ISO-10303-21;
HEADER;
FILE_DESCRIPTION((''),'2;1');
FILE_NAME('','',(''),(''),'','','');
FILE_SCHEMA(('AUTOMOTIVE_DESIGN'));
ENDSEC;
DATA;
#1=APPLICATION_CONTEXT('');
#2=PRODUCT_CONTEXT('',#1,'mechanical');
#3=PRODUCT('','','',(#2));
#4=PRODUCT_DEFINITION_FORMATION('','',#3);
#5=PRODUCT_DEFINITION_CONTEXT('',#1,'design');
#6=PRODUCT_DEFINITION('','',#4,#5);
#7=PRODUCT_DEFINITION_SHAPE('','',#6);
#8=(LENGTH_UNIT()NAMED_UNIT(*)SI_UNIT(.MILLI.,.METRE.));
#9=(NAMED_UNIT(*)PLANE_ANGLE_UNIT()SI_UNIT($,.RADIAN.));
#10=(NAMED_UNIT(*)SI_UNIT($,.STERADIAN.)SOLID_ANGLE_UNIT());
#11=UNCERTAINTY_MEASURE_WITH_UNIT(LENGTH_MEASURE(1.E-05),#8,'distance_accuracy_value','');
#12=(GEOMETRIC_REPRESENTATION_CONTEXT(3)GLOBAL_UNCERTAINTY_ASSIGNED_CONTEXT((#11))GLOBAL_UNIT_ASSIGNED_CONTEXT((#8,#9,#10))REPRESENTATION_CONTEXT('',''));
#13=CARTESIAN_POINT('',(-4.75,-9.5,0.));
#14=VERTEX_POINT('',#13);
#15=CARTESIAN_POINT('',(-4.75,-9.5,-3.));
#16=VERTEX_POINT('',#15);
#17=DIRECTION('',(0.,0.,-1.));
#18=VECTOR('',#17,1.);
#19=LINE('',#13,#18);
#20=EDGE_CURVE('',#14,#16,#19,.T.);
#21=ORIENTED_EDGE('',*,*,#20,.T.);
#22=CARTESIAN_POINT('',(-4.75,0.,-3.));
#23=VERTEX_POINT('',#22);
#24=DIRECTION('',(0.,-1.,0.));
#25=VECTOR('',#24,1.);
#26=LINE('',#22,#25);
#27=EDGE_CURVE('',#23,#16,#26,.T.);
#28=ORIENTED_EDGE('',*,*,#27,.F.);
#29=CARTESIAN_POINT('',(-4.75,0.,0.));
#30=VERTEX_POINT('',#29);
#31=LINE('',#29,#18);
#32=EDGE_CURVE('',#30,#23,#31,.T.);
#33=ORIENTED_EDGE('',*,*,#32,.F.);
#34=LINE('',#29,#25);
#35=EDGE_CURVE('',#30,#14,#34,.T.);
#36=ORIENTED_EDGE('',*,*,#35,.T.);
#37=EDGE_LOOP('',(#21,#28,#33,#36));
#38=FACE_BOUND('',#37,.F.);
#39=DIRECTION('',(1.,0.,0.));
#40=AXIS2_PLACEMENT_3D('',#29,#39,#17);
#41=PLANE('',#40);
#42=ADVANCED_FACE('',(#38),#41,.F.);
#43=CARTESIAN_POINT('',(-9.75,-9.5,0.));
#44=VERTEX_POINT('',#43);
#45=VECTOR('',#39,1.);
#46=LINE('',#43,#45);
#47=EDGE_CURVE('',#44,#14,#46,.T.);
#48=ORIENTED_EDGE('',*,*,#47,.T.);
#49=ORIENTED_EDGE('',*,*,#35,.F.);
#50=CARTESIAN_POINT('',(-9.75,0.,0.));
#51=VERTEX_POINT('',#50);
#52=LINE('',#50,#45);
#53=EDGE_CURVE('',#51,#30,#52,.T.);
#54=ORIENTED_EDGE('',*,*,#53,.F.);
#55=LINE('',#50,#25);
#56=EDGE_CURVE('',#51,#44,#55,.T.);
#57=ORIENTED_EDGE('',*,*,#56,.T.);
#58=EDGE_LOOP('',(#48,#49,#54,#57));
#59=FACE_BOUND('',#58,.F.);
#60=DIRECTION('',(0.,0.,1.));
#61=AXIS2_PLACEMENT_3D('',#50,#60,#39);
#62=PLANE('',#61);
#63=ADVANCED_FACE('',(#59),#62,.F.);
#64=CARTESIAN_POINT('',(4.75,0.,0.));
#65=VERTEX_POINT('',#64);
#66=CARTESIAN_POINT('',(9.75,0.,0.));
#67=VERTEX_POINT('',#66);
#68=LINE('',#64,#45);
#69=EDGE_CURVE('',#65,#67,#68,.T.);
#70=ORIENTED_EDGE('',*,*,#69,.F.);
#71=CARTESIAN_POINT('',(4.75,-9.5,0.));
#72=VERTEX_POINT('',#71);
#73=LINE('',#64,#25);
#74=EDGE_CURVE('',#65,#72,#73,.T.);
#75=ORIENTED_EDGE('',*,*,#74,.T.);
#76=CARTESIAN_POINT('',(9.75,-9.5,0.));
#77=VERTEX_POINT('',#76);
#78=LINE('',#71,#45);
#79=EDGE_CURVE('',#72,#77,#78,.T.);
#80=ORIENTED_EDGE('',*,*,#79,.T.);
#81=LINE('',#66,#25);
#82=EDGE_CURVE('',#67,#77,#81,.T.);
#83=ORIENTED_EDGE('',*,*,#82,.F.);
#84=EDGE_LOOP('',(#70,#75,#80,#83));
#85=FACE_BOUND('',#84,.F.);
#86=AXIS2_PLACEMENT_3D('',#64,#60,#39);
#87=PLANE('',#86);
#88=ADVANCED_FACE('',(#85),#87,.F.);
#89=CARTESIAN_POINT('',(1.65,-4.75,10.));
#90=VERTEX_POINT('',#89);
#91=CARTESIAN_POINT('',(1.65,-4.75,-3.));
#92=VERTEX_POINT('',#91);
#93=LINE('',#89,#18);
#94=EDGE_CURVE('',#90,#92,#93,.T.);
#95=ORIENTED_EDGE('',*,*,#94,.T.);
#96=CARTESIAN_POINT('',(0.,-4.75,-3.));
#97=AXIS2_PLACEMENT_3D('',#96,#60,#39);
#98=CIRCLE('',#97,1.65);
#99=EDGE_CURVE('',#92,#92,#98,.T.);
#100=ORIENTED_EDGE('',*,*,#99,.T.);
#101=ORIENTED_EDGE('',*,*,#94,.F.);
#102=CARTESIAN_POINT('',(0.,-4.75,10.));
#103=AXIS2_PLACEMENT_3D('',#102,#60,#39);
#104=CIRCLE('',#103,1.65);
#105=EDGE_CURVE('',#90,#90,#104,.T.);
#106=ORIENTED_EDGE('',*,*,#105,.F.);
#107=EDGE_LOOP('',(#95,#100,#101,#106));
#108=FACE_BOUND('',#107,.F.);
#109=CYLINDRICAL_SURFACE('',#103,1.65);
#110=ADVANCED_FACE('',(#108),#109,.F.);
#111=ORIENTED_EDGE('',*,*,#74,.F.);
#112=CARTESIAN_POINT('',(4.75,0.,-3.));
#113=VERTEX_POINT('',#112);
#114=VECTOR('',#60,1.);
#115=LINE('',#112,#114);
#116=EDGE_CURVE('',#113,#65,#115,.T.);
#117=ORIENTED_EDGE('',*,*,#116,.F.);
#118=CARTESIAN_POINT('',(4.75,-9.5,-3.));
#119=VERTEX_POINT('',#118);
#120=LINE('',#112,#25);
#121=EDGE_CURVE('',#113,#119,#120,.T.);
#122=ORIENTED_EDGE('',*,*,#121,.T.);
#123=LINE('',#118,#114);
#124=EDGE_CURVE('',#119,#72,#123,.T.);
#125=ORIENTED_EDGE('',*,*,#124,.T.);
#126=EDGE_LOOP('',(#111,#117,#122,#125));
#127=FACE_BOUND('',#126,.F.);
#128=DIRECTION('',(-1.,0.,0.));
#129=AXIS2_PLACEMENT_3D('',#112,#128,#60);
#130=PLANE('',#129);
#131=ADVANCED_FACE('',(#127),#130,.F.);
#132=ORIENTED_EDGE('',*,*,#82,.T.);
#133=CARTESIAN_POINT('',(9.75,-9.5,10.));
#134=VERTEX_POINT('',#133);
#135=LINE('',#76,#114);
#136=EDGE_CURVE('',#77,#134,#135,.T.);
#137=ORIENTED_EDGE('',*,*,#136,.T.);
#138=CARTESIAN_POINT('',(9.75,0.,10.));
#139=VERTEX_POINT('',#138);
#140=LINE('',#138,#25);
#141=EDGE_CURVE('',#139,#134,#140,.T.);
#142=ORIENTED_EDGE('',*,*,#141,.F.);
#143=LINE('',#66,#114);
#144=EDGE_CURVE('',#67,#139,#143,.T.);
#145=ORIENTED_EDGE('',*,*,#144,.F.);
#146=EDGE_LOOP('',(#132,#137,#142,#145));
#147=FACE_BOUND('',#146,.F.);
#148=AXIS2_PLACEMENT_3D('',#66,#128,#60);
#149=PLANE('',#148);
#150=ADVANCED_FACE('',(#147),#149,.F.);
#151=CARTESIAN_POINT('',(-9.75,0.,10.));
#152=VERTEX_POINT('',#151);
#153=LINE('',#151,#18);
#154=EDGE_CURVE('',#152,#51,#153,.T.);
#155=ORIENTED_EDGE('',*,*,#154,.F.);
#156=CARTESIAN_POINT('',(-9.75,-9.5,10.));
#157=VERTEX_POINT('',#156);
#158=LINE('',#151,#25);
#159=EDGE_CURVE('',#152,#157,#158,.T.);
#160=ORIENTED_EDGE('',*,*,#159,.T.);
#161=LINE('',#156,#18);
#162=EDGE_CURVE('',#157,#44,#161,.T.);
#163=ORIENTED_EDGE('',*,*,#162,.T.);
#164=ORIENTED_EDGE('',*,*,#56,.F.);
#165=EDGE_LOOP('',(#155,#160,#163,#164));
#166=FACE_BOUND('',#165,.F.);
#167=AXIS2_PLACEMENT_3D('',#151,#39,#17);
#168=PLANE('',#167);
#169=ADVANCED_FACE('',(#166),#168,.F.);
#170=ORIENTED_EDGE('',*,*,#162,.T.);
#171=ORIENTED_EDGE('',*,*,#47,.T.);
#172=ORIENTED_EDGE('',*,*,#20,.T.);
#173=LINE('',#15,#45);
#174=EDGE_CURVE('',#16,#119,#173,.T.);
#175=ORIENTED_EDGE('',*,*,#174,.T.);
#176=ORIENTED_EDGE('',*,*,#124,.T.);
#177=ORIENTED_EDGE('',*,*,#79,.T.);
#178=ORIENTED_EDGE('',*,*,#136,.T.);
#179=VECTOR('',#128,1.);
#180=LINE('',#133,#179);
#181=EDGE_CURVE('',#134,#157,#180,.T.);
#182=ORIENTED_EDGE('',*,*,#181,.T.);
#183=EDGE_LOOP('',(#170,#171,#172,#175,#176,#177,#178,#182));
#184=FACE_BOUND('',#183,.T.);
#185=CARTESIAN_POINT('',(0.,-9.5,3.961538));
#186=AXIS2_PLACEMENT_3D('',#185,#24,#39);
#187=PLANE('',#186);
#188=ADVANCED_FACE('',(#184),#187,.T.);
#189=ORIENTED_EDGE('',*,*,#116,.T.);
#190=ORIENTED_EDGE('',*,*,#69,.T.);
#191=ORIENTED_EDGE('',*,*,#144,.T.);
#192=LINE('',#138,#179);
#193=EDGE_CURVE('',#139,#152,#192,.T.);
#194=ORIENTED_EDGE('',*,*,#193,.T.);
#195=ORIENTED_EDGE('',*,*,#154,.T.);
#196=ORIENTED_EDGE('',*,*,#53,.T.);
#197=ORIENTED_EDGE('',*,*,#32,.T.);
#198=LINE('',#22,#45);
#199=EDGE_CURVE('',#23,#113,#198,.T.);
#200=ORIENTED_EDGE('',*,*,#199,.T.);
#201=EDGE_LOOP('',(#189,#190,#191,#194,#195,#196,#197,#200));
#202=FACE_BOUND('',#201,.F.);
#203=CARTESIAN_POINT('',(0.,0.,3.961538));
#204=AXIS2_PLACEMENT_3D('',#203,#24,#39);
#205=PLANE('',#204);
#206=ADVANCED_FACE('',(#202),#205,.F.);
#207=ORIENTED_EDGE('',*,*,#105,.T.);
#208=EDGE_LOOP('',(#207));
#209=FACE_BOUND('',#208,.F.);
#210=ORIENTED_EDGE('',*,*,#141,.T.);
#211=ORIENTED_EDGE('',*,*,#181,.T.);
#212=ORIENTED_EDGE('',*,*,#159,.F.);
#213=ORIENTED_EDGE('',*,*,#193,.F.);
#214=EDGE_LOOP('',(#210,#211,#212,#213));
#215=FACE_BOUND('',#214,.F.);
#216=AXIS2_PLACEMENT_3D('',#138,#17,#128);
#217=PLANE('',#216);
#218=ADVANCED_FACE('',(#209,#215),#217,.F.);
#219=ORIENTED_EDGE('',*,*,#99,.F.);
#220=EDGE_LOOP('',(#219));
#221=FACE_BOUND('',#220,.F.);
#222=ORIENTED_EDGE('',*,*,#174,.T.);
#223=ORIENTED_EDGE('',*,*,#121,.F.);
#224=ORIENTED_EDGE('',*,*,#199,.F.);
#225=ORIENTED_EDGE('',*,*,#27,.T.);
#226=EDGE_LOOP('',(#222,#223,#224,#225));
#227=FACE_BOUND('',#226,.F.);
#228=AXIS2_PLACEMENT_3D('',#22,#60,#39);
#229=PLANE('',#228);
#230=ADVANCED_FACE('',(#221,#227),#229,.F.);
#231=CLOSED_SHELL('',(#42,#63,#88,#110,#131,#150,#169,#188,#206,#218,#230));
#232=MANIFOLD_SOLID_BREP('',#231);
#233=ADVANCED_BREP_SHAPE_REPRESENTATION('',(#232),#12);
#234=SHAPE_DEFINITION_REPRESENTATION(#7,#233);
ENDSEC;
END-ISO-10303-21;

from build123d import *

# Parameters (mm, degrees)
F1_DEPTH = 9.5
F2_R     = 1.65
F3_DEPTH = 13.001


with BuildPart() as f1:
    # F0 (on Front) → F1 (new body)
    with BuildSketch(Plane.XZ):
        Polygon((9.75, 10), (0, 10), (-9.75, 10), (-9.75, 0), (-4.75, 0), (-4.75, -3), (0, -3), (4.75, -3), (4.75, 0), (9.75, 0), align=None)
    extrude(amount=F1_DEPTH)

    # F2 (on face) → F3 (cut, through all)
    with BuildSketch(Plane.XY.offset(10)):
        with Locations((0, -4.75)):
            Circle(F2_R)
    extrude(amount=-F3_DEPTH, mode=Mode.SUBTRACT)


solid = f1.part
